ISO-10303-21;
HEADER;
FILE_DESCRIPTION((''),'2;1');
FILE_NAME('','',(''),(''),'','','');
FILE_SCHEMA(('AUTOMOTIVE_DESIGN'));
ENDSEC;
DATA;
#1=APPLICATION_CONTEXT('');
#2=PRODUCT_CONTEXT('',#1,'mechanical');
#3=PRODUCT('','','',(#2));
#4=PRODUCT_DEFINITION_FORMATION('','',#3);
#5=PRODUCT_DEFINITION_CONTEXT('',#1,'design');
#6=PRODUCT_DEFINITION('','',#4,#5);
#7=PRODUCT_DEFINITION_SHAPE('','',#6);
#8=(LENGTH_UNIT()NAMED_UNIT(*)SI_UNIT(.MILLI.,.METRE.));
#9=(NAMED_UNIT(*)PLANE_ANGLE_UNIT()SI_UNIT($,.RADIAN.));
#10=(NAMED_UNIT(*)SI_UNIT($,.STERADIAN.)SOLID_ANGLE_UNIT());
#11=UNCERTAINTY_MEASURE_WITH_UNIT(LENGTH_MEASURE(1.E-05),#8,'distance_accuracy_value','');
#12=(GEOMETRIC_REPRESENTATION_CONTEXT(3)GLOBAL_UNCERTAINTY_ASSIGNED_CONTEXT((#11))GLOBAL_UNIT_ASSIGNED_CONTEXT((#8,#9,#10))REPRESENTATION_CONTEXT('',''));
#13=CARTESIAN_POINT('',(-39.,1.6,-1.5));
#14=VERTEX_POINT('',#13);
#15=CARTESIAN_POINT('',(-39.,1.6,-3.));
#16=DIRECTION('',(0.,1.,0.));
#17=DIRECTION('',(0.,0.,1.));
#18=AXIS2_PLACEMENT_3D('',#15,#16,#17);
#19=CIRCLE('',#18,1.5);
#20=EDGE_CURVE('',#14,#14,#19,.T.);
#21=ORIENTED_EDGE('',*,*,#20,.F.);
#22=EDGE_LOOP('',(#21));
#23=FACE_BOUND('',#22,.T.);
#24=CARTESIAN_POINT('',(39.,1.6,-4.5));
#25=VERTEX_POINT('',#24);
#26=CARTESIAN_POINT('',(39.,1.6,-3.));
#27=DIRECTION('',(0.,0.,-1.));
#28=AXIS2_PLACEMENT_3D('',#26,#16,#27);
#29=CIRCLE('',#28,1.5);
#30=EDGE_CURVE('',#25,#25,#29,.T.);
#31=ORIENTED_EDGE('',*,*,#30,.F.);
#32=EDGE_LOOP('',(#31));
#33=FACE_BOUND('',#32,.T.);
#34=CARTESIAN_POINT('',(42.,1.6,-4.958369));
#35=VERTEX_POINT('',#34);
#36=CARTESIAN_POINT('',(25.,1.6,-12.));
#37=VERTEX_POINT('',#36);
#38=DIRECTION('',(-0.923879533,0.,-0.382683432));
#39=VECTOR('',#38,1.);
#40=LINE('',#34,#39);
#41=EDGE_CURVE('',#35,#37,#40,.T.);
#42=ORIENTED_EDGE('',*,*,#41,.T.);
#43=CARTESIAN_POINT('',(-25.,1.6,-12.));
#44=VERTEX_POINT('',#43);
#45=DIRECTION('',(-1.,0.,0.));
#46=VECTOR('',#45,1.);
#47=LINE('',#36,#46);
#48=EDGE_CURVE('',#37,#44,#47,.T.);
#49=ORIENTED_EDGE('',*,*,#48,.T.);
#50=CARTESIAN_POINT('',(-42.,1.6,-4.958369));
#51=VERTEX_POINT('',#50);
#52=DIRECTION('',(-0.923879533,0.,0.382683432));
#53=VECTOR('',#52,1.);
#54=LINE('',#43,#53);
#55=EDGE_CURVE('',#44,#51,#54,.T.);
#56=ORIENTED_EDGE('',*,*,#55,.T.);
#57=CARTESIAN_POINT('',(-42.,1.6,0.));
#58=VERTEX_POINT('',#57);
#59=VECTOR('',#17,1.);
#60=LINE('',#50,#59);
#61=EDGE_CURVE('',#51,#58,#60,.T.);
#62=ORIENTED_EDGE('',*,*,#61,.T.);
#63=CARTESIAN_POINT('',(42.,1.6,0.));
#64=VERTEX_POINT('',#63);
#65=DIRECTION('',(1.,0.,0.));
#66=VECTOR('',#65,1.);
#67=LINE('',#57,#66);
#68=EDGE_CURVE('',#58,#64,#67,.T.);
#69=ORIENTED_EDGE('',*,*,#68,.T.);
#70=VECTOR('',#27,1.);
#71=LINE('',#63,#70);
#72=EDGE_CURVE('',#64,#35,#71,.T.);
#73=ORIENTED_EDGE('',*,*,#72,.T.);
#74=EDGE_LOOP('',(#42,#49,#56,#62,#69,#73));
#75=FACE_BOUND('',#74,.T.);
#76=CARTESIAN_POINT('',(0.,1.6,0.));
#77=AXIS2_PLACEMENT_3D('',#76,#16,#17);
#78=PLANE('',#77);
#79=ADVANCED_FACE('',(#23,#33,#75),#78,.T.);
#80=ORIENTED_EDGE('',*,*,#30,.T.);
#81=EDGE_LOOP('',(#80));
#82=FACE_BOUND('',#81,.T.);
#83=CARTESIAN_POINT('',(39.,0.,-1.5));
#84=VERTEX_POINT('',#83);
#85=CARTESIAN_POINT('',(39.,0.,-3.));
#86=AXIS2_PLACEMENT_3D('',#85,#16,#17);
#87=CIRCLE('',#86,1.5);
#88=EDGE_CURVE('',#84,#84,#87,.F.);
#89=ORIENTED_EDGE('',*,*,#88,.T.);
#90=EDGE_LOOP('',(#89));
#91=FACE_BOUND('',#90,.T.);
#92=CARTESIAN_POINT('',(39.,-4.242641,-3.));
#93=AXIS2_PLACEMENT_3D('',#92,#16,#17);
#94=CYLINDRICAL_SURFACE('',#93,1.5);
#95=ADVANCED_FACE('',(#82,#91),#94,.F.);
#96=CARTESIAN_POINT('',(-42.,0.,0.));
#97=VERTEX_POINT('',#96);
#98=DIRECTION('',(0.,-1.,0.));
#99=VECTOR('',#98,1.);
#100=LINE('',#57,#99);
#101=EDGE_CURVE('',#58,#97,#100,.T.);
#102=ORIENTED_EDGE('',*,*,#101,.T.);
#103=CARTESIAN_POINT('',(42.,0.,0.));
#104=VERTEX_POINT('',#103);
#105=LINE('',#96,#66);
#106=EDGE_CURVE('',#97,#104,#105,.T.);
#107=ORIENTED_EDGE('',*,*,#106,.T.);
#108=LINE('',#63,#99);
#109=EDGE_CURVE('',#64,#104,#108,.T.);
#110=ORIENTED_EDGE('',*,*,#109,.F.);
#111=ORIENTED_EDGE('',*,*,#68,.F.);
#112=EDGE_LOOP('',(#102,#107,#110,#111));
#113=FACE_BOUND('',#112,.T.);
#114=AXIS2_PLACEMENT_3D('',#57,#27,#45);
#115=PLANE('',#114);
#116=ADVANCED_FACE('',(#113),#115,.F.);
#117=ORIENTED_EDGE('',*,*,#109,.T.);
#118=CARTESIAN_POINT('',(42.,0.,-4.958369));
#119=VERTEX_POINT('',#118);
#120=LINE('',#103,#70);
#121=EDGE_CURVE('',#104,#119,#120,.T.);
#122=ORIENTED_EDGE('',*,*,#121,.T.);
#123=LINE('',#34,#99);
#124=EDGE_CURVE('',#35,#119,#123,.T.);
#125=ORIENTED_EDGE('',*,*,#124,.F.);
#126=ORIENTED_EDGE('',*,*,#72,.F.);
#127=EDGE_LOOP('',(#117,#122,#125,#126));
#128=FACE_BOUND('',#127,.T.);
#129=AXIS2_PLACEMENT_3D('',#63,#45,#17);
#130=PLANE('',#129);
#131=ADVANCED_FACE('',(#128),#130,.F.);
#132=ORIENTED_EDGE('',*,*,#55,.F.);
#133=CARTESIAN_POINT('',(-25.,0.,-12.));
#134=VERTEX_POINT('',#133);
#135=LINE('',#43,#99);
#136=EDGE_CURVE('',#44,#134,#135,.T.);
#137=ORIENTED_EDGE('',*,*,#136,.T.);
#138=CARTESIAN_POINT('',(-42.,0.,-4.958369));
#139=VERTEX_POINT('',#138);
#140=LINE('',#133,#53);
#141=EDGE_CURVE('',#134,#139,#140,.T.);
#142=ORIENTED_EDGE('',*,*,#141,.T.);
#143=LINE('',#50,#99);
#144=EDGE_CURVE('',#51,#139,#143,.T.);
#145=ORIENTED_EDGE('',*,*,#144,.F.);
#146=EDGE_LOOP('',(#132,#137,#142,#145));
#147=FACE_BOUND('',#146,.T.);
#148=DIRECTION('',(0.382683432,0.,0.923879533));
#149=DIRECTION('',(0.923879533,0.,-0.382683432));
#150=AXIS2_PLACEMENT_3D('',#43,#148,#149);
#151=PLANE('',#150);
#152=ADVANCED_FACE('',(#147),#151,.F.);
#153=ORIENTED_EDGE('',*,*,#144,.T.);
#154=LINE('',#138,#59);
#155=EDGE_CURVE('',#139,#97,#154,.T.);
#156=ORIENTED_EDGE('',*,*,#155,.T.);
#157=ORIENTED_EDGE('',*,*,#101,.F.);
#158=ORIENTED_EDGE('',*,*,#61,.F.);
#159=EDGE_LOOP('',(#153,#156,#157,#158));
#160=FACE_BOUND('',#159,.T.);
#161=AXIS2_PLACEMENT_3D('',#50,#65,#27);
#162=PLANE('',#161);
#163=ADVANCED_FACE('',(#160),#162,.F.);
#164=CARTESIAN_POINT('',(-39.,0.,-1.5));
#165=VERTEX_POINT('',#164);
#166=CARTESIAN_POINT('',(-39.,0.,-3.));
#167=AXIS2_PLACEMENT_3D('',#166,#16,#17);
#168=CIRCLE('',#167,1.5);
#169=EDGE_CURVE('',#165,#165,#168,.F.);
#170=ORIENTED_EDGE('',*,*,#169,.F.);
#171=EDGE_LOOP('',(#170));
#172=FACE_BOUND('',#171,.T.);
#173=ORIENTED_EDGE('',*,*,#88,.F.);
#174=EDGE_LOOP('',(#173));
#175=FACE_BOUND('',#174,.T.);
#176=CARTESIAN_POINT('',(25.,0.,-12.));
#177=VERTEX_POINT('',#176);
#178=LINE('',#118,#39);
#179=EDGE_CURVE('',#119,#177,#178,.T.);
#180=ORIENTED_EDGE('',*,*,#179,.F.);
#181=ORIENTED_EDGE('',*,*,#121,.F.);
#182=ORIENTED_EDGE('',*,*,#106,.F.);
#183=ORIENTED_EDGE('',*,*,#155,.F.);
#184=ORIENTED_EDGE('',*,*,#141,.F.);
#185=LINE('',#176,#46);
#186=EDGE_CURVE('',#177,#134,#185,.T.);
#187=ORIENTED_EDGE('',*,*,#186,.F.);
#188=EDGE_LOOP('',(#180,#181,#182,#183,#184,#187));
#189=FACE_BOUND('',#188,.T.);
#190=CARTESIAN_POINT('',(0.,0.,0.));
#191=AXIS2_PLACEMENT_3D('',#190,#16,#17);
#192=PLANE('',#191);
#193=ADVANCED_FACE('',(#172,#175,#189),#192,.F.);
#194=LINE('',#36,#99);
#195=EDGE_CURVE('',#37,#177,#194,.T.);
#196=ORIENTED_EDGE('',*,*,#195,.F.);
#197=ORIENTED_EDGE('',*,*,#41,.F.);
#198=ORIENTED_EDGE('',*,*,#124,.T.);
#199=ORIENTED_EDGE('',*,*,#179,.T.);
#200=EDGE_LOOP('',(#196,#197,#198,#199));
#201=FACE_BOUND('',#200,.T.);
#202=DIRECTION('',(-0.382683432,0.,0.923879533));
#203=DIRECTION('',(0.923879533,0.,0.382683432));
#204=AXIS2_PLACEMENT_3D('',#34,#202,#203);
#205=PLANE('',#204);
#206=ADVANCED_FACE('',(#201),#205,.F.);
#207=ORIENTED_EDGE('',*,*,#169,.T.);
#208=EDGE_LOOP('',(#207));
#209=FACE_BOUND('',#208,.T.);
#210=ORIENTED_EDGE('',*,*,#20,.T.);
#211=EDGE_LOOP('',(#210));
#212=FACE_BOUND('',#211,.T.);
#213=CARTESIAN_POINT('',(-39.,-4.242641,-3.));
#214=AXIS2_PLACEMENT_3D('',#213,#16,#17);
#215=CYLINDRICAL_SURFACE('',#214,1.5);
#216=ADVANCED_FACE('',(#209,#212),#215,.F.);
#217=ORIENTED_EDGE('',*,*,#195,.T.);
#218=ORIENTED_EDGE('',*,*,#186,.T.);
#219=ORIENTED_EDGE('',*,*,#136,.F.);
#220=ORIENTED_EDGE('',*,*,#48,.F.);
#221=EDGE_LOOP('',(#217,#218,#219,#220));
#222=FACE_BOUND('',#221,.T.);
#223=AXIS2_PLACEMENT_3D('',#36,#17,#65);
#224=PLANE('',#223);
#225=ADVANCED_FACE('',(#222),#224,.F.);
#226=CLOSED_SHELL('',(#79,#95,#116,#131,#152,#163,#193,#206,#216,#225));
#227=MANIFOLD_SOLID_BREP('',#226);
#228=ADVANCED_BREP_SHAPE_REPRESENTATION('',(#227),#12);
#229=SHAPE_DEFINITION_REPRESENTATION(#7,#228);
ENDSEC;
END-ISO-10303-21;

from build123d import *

# Parameters (mm, degrees)
BOSS_EXTRUDE1_DEPTH = 1.6
SKETCH4_R           = 1.5
CUT_EXTRUDE2_DEPTH  = 1.6


with BuildPart() as part:
    # Sketch1 → Boss-Extrude1 (new body)
    with BuildSketch(Plane(origin=(0, 0, 0), x_dir=(1, 0, 0), z_dir=(0, 1, 0))):
        Polygon((-42, 0), (42, 0), (42, 4.95836944), (25, 12), (-25, 12), (-42, 4.95836944), align=None)
    extrude(amount=BOSS_EXTRUDE1_DEPTH)

    # Sketch4 → Cut-Extrude2 (cut)
    with BuildSketch(Plane(origin=(0, 1.6, 0), x_dir=(1, 0, 0), z_dir=(0, 1, 0))):
        with Locations(Location((-39, 3, 0), (0, 0, 270))):
            Circle(SKETCH4_R)
        with Locations(Location((39, 3, 0), (0, 0, 270))):
            Circle(SKETCH4_R)
    extrude(amount=-CUT_EXTRUDE2_DEPTH, mode=Mode.SUBTRACT)


solid = part.part
